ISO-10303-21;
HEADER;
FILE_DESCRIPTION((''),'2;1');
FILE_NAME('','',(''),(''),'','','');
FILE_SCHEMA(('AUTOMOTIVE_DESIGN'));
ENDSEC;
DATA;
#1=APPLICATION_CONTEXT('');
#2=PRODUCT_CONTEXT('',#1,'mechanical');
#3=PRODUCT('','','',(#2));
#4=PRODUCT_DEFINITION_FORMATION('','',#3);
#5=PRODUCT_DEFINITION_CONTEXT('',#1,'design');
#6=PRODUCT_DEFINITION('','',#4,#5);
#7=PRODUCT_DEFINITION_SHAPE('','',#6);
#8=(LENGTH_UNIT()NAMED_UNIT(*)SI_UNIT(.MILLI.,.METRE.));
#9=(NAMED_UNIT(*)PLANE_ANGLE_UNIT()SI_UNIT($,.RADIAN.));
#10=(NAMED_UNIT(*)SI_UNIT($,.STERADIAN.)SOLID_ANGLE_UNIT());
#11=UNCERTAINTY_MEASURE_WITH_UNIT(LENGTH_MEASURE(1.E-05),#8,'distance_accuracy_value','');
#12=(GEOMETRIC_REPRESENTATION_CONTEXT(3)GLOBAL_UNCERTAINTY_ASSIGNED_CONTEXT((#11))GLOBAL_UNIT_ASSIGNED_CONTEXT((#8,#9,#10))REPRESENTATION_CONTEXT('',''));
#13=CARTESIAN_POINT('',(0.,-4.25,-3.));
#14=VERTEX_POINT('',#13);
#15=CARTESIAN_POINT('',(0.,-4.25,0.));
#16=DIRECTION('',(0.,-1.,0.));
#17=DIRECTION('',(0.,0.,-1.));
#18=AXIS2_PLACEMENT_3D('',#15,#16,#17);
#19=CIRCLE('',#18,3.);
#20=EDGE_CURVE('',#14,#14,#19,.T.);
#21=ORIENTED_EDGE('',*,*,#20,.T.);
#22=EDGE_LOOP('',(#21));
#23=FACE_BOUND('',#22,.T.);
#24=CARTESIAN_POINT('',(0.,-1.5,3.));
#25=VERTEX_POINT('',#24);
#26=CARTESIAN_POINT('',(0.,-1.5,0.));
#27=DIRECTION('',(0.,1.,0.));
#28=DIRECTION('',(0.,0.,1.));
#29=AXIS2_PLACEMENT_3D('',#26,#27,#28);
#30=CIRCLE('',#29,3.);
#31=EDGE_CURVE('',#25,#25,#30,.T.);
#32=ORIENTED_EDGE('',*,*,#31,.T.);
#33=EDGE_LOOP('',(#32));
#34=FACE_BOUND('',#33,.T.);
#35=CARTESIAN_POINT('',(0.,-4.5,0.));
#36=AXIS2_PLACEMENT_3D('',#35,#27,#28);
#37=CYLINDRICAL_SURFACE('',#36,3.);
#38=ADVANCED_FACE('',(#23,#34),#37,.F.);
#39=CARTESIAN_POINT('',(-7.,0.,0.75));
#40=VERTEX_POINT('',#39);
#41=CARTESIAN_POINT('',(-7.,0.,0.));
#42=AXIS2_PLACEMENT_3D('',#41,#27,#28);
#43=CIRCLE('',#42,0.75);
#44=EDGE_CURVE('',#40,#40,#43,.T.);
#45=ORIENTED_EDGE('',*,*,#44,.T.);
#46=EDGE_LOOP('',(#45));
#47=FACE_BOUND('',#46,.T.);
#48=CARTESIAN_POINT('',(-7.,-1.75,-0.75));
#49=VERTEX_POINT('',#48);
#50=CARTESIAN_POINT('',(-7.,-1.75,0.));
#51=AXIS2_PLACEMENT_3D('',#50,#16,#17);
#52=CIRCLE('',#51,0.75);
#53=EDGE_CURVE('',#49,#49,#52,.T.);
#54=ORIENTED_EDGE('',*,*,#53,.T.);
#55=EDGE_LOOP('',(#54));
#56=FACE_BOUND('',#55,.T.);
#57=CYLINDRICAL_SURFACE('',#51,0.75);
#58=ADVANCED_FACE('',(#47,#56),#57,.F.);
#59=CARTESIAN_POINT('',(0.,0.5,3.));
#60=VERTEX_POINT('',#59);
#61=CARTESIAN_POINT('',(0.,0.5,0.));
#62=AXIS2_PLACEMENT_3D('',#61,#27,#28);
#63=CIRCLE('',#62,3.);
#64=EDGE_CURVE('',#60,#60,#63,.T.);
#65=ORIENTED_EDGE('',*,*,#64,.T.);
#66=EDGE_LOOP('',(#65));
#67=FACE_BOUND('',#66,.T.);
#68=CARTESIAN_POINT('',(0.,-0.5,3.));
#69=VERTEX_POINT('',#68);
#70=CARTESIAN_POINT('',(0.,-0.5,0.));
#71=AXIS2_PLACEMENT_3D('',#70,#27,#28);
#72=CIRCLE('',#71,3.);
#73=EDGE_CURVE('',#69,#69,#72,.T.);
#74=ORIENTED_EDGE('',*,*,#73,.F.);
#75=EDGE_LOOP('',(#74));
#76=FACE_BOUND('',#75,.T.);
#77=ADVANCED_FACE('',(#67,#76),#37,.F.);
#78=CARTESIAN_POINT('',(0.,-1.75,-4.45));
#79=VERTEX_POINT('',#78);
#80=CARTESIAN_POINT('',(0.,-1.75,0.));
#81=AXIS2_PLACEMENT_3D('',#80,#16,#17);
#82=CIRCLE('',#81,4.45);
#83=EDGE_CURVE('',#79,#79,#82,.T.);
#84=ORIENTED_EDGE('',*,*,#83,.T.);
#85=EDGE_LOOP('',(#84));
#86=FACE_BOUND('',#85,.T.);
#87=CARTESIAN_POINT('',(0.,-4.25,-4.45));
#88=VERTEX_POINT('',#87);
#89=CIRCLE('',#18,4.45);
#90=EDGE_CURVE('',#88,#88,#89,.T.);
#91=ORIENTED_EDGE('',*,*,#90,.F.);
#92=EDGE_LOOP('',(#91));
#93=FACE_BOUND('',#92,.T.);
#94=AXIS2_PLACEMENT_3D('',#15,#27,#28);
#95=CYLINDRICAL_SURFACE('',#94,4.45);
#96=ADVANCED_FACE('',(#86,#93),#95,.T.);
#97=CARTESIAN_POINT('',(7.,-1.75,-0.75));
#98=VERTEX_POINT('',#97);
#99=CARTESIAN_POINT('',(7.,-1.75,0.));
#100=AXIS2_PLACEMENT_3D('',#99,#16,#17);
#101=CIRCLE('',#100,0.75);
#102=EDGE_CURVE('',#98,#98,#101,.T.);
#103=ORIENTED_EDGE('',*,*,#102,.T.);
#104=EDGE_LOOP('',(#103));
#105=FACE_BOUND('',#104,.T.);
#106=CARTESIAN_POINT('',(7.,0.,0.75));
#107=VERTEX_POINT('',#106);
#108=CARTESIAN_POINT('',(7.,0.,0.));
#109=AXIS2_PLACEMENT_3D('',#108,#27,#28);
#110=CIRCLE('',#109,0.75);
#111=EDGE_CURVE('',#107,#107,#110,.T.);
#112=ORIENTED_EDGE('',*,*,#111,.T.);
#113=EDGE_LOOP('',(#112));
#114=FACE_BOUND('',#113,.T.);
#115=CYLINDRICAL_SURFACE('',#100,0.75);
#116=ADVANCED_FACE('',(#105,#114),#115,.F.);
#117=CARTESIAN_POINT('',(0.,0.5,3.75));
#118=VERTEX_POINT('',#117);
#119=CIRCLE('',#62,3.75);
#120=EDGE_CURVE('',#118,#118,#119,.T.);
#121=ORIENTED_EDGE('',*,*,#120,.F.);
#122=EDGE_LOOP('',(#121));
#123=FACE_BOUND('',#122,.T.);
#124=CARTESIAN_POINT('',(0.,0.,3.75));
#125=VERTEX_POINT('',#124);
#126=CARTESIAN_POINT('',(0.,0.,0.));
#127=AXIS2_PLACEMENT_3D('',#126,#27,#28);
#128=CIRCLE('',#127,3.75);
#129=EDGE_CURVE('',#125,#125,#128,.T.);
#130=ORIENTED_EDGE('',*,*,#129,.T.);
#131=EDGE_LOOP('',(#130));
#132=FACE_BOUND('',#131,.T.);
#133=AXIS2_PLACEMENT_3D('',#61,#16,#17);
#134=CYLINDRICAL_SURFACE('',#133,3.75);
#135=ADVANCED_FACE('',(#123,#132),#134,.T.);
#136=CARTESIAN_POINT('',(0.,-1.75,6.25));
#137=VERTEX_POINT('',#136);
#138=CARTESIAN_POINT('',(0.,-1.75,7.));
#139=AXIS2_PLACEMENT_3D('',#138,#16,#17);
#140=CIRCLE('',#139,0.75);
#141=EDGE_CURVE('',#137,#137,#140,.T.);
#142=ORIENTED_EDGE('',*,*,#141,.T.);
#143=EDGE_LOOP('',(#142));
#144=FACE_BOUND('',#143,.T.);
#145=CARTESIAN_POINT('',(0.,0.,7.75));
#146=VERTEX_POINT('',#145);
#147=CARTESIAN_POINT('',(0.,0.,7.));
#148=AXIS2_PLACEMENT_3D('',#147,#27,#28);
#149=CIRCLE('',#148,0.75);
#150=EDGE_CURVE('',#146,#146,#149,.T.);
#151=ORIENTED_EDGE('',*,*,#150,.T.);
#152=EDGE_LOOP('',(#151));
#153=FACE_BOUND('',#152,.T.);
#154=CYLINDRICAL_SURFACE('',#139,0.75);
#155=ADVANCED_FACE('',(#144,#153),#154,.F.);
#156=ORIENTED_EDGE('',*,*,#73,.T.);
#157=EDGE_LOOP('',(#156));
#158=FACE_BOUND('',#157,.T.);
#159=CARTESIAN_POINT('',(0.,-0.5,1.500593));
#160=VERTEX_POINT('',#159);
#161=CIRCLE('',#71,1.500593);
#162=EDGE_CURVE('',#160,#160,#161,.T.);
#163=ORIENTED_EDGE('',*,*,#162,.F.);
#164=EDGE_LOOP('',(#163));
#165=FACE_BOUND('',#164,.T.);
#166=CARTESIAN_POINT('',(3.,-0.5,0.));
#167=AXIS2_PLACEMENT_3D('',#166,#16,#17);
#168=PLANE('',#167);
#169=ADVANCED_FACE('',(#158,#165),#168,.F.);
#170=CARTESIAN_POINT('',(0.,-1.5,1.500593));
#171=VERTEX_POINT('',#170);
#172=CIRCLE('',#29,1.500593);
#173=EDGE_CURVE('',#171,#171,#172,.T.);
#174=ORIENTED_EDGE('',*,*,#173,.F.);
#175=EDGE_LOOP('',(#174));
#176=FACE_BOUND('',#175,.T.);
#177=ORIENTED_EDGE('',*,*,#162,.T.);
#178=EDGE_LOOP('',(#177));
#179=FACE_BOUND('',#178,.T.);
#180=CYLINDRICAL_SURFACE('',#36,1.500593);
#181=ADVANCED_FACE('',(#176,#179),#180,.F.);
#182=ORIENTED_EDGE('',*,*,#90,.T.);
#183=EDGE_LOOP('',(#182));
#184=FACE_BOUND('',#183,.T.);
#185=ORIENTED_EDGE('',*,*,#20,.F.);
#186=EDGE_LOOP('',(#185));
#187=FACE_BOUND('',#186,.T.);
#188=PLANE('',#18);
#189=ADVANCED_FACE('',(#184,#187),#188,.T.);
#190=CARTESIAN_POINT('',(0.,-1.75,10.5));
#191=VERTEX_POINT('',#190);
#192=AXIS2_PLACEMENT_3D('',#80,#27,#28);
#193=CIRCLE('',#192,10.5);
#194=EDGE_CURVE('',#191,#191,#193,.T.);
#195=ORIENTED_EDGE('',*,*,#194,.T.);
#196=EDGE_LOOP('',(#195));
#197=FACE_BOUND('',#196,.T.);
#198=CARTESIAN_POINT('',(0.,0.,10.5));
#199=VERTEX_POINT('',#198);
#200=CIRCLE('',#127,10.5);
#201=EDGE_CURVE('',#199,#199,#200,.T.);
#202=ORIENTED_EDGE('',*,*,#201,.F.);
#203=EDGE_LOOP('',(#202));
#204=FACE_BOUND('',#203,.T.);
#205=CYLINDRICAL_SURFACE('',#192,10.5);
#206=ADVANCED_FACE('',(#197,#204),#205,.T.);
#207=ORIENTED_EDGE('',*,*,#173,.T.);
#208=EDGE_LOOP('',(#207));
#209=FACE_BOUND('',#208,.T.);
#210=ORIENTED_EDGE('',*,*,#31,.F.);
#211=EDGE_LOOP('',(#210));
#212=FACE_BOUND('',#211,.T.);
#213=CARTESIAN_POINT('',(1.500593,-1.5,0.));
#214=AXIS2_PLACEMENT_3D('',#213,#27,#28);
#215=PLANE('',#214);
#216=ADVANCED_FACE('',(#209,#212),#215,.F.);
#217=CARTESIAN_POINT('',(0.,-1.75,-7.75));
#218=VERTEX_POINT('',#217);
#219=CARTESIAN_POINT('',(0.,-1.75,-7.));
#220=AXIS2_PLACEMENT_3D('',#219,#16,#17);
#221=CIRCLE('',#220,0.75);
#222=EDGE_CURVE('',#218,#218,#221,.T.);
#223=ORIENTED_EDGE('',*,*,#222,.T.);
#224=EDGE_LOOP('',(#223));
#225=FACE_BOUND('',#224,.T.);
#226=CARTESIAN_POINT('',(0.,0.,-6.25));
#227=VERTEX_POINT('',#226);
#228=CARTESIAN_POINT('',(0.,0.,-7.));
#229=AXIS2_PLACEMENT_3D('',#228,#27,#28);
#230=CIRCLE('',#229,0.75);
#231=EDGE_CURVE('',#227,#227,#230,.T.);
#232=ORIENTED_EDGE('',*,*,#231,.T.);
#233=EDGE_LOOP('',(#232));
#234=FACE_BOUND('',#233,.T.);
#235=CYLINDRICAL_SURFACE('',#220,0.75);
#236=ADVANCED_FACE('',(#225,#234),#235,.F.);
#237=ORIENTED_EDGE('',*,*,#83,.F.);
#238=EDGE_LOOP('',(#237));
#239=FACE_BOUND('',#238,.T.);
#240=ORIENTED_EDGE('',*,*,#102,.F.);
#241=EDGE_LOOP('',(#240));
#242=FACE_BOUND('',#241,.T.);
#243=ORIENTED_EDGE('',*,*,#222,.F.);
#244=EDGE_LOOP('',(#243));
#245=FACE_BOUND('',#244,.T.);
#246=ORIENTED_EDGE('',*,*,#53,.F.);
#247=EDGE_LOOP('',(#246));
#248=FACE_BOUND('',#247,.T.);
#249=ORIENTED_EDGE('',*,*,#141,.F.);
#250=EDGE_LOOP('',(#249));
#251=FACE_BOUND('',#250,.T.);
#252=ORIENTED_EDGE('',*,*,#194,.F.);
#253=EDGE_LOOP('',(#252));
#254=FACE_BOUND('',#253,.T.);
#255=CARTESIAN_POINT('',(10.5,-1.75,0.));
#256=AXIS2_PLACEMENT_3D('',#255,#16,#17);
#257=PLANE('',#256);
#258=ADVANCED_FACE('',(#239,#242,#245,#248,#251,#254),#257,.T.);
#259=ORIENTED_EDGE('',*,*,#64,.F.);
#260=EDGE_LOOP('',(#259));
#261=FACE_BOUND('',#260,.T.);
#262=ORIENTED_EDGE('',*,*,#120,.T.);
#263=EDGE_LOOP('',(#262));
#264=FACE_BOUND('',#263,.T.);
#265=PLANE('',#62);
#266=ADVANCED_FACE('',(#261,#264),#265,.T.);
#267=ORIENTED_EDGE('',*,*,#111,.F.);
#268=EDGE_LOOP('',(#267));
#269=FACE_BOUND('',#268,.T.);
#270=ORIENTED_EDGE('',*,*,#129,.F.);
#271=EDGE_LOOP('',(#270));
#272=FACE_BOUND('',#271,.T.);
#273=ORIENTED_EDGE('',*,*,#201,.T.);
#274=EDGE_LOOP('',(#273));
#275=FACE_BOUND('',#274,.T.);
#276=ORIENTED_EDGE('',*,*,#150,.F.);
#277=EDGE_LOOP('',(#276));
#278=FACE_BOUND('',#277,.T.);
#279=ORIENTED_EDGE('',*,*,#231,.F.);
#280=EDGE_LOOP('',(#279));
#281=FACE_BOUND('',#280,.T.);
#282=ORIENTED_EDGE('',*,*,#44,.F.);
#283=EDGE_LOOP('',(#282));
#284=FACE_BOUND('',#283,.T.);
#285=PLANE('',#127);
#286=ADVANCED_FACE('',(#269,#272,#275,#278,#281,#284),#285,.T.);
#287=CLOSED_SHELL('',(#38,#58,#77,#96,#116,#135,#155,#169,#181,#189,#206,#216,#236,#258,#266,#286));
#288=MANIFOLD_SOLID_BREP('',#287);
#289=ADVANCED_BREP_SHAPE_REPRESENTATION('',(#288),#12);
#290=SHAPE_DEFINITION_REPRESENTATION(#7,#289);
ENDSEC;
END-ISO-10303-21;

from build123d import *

# Parameters (mm, degrees)
ESQUISSE1_W                     = 10.5
ESQUISSE1_H                     = 1.75
ESQUISSE2_R                     = 4.45
BOSS_EXTRU_1_DEPTH              = 2.5
ESQUISSE3_R                     = 3.75
BOSS_EXTRU_2_DEPTH              = 0.5
DIAM_TRE_DU_PER_AGE_1_5_1_5_1_D = 1.5


with BuildPart() as part:
    # Esquisse1 → Révolution1 (revolve)
    with BuildSketch(Plane(origin=(0, 0, 0), x_dir=(-1, 0, 0), z_dir=(0, 0, -1)), mode=Mode.PRIVATE) as r_volution1_sk:
        with Locations((-5.25, -0.875)):
            Rectangle(ESQUISSE1_W, ESQUISSE1_H)
    revolve(r_volution1_sk.sketch.rotate(Axis((0, -1.75, 0), (0, 1, 0)), 270), axis=Axis((0, -1.75, 0), (0, 1, 0)))

    # Esquisse2 → Boss.-Extru.1 (add)
    with BuildSketch(Plane.XZ.offset(1.75)):
        with Locations(Location((0, 0, 0), (0, 0, 270))):
            Circle(ESQUISSE2_R)
    extrude(amount=BOSS_EXTRU_1_DEPTH)

    # Esquisse3 → Boss.-Extru.2 (add)
    with BuildSketch(Plane(origin=(0, 0, 0), x_dir=(-1, 0, 0), z_dir=(0, 1, 0))):
        with Locations(Location((0, 0, 0), (0, 0, 90))):
            Circle(ESQUISSE3_R)
    extrude(amount=BOSS_EXTRU_2_DEPTH)

    # Esquisse4 → Enlèvement de matière-Révolution1 (revolve, cut)
    with BuildSketch(Plane(origin=(0, 0, 0), x_dir=(-1, 0, 0), z_dir=(0, 0, -1)), mode=Mode.PRIVATE) as enl_vement_de_mati_re_r_volution1_sk:
        Polygon((-3, -4.5), (0, -4.5), (0, 0.5), (-3, 0.5), (-3, -0.5), (-1.500593113, -0.5), (-1.500593113, -1.5), (-3, -1.5), align=None)
    revolve(enl_vement_de_mati_re_r_volution1_sk.sketch.rotate(Axis((0, -4.5, 0), (0, 1, 0)), 270), axis=Axis((0, -4.5, 0), (0, 1, 0)), mode=Mode.SUBTRACT)

    # Diamètre du perçage Ø1.5 (1.5)1 (through all)
    with Locations(Plane(origin=(0, -1.75, 0), x_dir=(-1, 0, 0), z_dir=(0, -1, 0))):
        with Locations((-7, 0), (0, 7), (7, 0), (0, -7)):
            Hole(DIAM_TRE_DU_PER_AGE_1_5_1_5_1_D / 2)


solid = part.part
